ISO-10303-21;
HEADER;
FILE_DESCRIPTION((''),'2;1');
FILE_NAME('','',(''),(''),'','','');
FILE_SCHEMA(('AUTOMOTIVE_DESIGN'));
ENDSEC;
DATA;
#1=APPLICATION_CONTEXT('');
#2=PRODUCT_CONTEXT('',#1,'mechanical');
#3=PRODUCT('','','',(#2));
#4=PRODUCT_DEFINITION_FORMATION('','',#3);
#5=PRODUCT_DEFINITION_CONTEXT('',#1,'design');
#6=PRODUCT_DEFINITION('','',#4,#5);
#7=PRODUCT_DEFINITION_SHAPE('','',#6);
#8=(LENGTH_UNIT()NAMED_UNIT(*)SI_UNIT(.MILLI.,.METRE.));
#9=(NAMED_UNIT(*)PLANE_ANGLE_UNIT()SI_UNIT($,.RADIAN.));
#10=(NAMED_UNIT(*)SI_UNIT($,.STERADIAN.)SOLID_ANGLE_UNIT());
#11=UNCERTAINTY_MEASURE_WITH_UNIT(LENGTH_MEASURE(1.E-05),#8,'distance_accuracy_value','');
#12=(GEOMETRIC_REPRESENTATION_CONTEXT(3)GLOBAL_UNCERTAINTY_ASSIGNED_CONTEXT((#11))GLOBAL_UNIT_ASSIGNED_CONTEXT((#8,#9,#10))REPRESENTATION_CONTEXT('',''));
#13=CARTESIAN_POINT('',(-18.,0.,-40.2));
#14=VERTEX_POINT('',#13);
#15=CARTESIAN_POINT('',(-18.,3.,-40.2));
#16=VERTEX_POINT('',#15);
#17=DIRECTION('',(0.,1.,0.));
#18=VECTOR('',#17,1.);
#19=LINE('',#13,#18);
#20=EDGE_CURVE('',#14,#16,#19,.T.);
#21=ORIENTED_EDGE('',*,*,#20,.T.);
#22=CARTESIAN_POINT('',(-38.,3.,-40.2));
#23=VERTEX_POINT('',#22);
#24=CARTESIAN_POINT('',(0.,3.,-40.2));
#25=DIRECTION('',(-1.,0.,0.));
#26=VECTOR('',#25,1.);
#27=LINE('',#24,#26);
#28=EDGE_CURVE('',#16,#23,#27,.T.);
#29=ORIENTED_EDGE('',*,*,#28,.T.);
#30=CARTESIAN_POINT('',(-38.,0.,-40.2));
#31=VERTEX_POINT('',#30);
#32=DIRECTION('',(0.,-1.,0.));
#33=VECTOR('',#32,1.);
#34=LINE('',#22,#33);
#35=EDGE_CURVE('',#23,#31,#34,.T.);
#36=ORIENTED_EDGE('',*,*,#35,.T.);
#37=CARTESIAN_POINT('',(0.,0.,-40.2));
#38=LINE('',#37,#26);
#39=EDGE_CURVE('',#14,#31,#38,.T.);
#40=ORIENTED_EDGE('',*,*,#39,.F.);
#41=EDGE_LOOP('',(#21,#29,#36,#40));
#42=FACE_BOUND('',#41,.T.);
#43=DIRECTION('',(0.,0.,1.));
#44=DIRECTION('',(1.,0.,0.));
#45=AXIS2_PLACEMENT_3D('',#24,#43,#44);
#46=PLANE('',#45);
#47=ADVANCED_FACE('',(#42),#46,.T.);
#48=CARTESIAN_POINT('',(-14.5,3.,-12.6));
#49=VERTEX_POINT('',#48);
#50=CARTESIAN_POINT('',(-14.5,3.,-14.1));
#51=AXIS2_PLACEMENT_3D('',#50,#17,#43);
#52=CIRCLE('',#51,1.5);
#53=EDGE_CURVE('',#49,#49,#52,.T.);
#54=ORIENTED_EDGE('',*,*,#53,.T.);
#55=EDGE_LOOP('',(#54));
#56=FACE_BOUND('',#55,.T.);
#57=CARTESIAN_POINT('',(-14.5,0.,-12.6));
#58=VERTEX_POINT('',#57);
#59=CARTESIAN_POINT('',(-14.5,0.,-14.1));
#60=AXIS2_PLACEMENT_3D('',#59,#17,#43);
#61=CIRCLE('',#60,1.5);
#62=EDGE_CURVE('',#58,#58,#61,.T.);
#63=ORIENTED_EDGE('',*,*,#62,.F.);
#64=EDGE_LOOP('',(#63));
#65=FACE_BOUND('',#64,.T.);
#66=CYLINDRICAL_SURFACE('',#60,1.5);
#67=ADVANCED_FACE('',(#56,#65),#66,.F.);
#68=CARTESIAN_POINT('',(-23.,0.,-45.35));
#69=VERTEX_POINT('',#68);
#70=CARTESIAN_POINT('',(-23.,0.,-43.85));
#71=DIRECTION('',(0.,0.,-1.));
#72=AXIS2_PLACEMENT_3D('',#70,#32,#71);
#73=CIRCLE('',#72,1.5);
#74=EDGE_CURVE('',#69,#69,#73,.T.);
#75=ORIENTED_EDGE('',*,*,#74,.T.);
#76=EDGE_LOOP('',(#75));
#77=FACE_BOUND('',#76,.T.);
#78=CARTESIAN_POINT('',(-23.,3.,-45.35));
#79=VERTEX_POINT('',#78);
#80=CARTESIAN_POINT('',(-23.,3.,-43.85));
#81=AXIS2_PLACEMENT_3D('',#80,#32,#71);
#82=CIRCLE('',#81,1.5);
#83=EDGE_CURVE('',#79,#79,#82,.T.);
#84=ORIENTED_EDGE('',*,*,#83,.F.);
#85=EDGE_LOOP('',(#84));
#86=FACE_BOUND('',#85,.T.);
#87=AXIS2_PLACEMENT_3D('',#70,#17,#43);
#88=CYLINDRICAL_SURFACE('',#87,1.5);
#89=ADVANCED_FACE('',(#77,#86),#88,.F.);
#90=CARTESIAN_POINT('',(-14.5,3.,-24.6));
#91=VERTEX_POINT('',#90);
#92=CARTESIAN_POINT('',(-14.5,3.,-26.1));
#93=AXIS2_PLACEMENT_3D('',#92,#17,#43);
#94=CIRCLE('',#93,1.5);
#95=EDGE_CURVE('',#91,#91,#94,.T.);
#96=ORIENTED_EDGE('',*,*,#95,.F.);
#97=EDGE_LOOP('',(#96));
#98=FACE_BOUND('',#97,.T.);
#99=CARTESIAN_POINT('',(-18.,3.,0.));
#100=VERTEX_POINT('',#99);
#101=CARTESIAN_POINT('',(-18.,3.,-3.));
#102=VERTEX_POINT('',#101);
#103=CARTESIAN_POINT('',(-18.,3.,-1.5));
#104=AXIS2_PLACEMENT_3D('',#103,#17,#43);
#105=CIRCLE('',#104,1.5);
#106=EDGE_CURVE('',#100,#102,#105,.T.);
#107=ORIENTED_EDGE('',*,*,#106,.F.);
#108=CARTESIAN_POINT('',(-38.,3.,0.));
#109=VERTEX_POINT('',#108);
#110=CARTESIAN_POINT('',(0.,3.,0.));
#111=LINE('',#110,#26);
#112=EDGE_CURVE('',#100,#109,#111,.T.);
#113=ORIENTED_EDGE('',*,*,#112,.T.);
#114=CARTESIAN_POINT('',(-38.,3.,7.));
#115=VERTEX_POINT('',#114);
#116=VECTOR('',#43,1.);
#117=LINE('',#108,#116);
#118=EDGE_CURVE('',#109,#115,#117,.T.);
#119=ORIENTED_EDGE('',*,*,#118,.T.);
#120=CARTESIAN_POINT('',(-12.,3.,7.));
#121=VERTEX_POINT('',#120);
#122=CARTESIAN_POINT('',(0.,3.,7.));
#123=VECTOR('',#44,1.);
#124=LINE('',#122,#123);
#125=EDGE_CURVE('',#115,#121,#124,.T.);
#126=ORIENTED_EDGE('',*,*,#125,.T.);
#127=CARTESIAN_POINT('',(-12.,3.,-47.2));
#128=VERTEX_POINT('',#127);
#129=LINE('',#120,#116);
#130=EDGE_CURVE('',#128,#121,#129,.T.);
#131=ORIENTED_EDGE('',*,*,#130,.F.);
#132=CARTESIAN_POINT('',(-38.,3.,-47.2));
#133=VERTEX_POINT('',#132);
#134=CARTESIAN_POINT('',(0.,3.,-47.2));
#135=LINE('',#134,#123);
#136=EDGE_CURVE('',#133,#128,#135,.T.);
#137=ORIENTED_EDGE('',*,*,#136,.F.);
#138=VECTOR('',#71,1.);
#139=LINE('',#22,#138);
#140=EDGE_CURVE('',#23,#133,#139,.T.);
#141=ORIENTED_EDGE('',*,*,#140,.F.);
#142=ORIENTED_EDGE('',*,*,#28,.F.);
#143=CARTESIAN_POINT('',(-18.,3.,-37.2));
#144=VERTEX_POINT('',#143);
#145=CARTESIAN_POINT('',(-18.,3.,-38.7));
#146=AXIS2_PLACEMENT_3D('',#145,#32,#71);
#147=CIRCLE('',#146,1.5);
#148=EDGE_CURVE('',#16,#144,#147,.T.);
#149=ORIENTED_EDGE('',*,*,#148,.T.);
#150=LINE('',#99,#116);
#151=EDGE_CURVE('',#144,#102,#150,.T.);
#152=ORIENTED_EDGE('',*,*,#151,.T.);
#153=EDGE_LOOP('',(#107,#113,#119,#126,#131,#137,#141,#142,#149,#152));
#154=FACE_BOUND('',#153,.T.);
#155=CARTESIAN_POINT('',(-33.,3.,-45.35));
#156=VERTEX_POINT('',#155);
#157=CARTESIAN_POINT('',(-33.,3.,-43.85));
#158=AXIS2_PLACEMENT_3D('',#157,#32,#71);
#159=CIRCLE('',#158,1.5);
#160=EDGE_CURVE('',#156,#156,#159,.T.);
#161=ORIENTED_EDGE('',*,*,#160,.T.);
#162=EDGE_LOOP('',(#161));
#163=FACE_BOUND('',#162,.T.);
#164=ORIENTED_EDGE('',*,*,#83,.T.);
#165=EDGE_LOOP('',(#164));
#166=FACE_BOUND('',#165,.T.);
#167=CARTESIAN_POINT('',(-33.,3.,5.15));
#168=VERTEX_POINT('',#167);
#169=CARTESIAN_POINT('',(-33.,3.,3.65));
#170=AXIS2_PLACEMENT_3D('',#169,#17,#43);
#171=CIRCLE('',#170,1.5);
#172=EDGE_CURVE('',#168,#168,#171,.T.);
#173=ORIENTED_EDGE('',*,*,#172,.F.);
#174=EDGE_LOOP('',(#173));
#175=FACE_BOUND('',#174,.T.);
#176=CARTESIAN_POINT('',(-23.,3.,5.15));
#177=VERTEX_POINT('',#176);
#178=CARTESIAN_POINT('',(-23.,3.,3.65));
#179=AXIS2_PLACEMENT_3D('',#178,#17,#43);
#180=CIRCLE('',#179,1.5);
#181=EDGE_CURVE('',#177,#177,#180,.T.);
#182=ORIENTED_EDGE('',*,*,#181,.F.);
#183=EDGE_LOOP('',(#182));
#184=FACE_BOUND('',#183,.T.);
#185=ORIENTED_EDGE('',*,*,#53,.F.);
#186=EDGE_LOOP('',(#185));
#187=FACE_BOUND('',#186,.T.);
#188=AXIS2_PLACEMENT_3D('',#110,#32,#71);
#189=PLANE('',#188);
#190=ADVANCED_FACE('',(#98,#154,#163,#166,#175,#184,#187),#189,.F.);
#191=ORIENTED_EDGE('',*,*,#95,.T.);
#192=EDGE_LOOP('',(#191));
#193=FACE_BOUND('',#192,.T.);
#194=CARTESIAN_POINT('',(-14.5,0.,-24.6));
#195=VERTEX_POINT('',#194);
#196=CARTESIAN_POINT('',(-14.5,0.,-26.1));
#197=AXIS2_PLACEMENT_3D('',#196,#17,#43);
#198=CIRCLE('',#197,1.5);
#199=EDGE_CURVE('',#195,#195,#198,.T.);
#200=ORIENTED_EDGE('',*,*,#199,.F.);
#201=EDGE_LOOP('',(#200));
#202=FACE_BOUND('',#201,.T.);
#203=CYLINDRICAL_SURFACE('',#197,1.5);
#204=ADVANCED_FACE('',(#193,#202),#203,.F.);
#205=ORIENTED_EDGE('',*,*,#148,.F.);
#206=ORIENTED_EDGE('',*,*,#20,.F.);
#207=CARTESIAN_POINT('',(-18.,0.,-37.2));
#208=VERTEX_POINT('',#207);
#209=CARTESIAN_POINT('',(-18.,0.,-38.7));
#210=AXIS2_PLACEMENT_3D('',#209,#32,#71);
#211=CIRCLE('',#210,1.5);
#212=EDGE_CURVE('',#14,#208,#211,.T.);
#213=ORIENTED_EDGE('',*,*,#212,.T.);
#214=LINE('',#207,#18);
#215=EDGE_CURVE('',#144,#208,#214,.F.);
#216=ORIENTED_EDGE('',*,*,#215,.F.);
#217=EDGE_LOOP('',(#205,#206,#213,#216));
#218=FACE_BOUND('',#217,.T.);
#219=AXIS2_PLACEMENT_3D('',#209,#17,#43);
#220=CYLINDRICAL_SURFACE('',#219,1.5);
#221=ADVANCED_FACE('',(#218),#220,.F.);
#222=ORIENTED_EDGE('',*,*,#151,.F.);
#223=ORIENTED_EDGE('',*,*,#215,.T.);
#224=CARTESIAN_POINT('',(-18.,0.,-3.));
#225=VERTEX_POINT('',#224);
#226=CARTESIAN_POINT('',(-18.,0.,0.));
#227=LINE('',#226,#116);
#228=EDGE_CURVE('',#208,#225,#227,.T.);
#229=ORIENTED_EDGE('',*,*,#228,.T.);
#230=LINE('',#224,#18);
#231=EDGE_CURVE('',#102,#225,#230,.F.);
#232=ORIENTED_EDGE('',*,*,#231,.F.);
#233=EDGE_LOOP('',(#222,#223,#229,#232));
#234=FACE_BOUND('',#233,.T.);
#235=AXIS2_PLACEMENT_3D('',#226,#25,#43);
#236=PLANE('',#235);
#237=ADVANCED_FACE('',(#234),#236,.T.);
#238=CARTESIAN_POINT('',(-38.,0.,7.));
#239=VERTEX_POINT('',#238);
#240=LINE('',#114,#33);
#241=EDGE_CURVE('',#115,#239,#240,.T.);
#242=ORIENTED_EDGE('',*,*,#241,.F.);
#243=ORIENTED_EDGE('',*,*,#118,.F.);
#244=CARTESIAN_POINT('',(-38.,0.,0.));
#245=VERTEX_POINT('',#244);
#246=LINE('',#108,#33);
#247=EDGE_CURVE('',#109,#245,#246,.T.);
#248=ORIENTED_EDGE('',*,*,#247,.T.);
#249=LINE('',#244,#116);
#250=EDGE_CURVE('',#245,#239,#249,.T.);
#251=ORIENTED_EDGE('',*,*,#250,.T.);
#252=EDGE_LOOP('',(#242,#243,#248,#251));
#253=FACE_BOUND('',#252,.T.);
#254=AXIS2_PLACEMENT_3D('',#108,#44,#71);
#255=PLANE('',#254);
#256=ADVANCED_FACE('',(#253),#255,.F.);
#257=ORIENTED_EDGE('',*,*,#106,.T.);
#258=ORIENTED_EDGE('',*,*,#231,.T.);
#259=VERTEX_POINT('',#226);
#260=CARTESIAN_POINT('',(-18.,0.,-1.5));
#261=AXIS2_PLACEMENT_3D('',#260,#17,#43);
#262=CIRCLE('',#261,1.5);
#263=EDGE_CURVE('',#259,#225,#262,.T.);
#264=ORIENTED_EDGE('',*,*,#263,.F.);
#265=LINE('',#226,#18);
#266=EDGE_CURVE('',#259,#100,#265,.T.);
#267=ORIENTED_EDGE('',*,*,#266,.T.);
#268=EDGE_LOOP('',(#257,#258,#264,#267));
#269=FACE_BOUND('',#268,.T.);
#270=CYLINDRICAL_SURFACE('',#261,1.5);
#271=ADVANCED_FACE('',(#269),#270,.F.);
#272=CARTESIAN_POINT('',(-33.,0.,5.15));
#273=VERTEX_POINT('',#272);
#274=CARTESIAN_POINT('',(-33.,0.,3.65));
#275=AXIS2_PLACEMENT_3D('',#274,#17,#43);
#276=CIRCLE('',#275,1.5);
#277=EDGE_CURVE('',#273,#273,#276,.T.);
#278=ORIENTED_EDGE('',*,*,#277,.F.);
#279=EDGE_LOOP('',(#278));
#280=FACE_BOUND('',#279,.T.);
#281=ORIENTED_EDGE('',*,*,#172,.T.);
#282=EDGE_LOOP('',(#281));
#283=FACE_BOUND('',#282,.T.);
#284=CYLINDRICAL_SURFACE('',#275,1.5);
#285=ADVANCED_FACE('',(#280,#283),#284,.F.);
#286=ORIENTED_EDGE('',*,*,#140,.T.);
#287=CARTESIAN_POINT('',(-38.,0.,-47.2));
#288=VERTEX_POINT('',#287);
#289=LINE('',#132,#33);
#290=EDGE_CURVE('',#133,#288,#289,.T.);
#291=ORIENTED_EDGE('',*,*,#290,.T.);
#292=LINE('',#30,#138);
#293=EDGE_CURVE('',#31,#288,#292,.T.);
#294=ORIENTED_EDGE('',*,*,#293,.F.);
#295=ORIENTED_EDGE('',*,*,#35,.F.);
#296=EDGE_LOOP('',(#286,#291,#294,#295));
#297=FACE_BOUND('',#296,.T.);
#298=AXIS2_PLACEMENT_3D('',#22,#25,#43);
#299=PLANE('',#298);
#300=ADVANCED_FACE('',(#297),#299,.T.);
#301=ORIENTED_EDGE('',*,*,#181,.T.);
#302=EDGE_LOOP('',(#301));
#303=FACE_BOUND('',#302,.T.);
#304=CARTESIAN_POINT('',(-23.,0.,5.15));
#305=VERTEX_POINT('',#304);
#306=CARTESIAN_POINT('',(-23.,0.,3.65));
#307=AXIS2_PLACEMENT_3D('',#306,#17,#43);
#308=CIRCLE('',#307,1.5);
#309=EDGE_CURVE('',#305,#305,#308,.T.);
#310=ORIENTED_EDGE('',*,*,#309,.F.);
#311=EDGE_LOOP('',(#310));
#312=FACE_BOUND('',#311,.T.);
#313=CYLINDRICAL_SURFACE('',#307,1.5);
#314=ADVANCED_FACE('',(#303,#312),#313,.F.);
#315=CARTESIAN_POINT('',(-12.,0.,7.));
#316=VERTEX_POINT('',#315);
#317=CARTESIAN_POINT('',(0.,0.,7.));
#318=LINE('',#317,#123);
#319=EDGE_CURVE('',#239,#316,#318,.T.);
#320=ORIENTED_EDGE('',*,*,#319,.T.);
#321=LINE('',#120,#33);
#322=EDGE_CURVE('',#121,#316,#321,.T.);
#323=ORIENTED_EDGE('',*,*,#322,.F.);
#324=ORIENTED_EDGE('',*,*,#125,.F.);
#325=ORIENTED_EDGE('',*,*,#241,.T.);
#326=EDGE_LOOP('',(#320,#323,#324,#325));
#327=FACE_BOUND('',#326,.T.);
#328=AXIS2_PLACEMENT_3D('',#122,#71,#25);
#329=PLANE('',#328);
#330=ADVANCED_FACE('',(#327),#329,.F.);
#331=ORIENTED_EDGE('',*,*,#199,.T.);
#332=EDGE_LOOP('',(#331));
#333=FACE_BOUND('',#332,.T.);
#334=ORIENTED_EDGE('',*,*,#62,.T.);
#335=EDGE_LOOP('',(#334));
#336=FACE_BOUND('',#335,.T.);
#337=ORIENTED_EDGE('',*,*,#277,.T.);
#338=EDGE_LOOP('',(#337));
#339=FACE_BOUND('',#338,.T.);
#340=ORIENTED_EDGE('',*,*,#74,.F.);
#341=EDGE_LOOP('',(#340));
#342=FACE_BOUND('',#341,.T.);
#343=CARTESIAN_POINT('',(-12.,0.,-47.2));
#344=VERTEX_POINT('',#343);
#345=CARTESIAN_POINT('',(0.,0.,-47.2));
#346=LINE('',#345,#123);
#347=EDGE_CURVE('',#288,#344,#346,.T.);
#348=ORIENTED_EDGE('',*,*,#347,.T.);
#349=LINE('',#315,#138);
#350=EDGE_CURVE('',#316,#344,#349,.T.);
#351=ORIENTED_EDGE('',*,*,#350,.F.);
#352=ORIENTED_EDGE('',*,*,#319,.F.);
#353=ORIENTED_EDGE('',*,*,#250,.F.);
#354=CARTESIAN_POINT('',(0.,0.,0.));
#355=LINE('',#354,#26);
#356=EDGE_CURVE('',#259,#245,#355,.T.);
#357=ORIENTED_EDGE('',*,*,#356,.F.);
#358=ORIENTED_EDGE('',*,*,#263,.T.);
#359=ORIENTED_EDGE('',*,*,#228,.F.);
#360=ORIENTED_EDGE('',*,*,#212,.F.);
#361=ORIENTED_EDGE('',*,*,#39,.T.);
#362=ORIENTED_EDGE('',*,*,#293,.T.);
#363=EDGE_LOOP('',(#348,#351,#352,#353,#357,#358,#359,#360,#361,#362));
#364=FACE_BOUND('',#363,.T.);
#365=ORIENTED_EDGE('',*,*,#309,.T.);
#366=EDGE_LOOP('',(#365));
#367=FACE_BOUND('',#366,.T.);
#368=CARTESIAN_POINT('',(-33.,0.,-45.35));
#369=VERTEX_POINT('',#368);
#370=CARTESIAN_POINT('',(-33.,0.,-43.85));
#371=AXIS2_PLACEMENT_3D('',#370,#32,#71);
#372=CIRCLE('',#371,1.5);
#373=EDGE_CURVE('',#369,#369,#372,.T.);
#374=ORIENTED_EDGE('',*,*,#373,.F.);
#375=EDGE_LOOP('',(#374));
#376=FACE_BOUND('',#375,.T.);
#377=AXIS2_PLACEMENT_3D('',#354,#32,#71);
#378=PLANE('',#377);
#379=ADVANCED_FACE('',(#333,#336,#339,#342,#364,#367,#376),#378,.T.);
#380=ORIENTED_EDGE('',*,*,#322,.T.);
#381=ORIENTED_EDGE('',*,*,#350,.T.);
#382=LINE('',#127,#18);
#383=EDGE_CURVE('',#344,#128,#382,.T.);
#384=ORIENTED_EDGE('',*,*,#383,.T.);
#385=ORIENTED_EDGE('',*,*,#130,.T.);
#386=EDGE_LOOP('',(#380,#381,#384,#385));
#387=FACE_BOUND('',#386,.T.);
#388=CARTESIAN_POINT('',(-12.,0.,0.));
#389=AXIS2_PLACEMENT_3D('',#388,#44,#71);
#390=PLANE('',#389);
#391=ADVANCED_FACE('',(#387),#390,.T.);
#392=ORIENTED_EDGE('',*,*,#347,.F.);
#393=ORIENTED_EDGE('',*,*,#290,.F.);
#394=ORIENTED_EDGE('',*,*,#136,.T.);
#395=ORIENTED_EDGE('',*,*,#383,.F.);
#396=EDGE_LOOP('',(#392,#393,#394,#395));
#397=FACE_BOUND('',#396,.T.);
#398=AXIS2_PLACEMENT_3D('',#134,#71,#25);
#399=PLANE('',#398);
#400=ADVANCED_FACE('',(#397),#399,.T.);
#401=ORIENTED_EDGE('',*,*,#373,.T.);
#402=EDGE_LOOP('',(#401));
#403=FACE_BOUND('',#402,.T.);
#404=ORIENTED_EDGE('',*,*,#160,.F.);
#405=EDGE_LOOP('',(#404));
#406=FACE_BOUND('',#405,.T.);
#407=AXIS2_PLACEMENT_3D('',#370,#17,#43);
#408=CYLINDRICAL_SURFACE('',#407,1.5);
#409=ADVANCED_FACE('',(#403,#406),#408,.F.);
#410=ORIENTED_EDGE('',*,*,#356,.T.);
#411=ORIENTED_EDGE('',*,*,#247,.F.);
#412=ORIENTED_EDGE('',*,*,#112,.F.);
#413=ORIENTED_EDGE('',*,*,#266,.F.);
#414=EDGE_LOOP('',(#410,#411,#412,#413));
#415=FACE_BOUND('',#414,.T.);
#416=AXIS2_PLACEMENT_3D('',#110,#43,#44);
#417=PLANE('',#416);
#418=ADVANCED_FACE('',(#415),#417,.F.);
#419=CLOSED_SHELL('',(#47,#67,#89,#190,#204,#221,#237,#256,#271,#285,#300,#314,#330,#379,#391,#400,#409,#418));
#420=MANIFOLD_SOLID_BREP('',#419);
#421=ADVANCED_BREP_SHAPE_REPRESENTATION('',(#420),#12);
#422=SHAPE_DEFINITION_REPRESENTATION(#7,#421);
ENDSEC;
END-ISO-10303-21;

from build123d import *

# Parameters (mm, degrees)
SKETCH_1_W             = 38
SKETCH_1_H             = 7
EXTRUDE_1_DEPTH        = 3
SKETCH_2_W             = 7
SKETCH_2_H             = 3
EXTRUDE_2_DEPTH        = 13
SKETCH_3_R             = 1.5
CUT_EXTRUDE_1_DEPTH    = 44.0464865
SKETCH_4_R             = 1.5
CUT_EXTRUDE_2_DEPTH    = 44.0464865
SKETCH_5_W             = 5
SKETCH_5_H             = 40.2
EXTRUDE_3_DEPTH        = 3
SKETCH_6_R             = 1.5
CUT_EXTRUDE_3_DEPTH    = 56.398916957
FILLET_1_R             = 5
FILLET_2_R             = 5
FILLET_2_OF_MIRROR_1_R = 5
SKETCH_7_W             = 73.096836427
SKETCH_7_H             = 5.118381576
CUT_EXTRUDE_4_DEPTH    = 13
SKETCH_9_W             = 54.2
SKETCH_9_H             = 3
EXTRUDE_4_DEPTH        = 1
SKETCH_8_R             = 1.5
CUT_EXTRUDE_5_DEPTH    = 61.669926652


with BuildPart() as part:
    # 草图1 → 凸台-拉伸1 (new body)
    with BuildSketch(Plane(origin=(0, 0, 0), x_dir=(1, 0, 0), z_dir=(0, 1, 0))):
        with Locations((-19, -3.5)):
            Rectangle(SKETCH_1_W, SKETCH_1_H)
    extrude_1 = extrude(amount=EXTRUDE_1_DEPTH)

    # 草图2 → 凸台-拉伸2 (add)
    with BuildSketch(Plane.XY.offset(7)):
        with Locations((-3.5, 1.5)):
            Rectangle(SKETCH_2_W, SKETCH_2_H)
    extrude(amount=EXTRUDE_2_DEPTH)

    # 草图3 → 切除-拉伸1 (cut, through all)
    with BuildSketch(Plane(origin=(0, 3, 0), x_dir=(1, 0, 0), z_dir=(0, 1, 0))):
        with Locations(Location((-3.5, -15, 0), (0, 0, 270))):
            Circle(SKETCH_3_R)
        with Locations(Location((-3.5, -5, 0), (0, 0, 270))):
            Circle(SKETCH_3_R)
    extrude(amount=-CUT_EXTRUDE_1_DEPTH, mode=Mode.SUBTRACT)

    # 草图4 → 切除-拉伸2 (cut, through all)
    with BuildSketch(Plane(origin=(0, 3, 0), x_dir=(1, 0, 0), z_dir=(0, 1, 0))):
        with Locations(Location((-33, -3.65, 0), (0, 0, 270))):
            Circle(SKETCH_4_R)
        with Locations(Location((-23, -3.65, 0), (0, 0, 270))):
            Circle(SKETCH_4_R)
    cut_extrude_2 = extrude(amount=-CUT_EXTRUDE_2_DEPTH, mode=Mode.SUBTRACT)

    # 草图5 → 凸台-拉伸3 (add)
    with BuildSketch(Plane(origin=(0, 3, 0), x_dir=(1, 0, 0), z_dir=(0, 1, 0))):
        with Locations((-15.5, 20.1)):
            Rectangle(SKETCH_5_W, SKETCH_5_H)
    extrude(amount=-EXTRUDE_3_DEPTH)

    # 草图6 → 切除-拉伸3 (cut, through all)
    with BuildSketch(Plane(origin=(0, 3, 0), x_dir=(1, 0, 0), z_dir=(0, 1, 0))):
        with Locations((-18, 1.5)):
            Circle(SKETCH_6_R)
    cut_extrude_3 = extrude(amount=-CUT_EXTRUDE_3_DEPTH, mode=Mode.SUBTRACT)

    # 圆角1
    fillet_1_edges = [part.edges().sort_by_distance(p)[0] for p in [
        (-7, 1.5, 7),
    ]]
    fillet(fillet_1_edges, radius=FILLET_1_R)

    # 圆角2
    fillet_2_edges = [part.edges().sort_by_distance(p)[0] for p in [
        (-13, 1.5, 0),
    ]]
    fillet(fillet_2_edges, radius=FILLET_2_R)

    # 镜向1: 凸台-拉伸1, 切除-拉伸2, 切除-拉伸3 across plane
    add(extrude_1.mirror(Plane(origin=(0, 0, -20.1), x_dir=(1, 0, 0), z_dir=(0, 0, -1))))
    add(cut_extrude_2.mirror(Plane(origin=(0, 0, -20.1), x_dir=(1, 0, 0), z_dir=(0, 0, -1))), mode=Mode.SUBTRACT)
    add(cut_extrude_3.mirror(Plane(origin=(0, 0, -20.1), x_dir=(1, 0, 0), z_dir=(0, 0, -1))), mode=Mode.SUBTRACT)

    # 圆角2 of 镜向1
    fillet_2_of_mirror_1_edges = [part.edges().sort_by_distance(p)[0] for p in [
        (-13, 1.5, -40.2),
    ]]
    fillet(fillet_2_of_mirror_1_edges, radius=FILLET_2_OF_MIRROR_1_R)

    # 草图7 → 切除-拉伸4 (cut)
    with BuildSketch(Plane(origin=(0, 0, 0), x_dir=(0, 0, -1), z_dir=(1, 0, 0))):
        with Locations((10.651581787, 2.559190788)):
            Rectangle(SKETCH_7_W, SKETCH_7_H)
    extrude(amount=-CUT_EXTRUDE_4_DEPTH, mode=Mode.SUBTRACT)

    # 草图9 → 凸台-拉伸4 (add)
    with BuildSketch(Plane(origin=(-13, 0, 0), x_dir=(0, 0, -1), z_dir=(1, 0, 0))):
        with Locations((20.1, 1.5)):
            Rectangle(SKETCH_9_W, SKETCH_9_H)
    extrude(amount=EXTRUDE_4_DEPTH)

    # 草图8 → 切除-拉伸5 (cut, through all)
    with BuildSketch(Plane(origin=(0, 3, 0), x_dir=(1, 0, 0), z_dir=(0, 1, 0))):
        with Locations(Location((-14.5, 14.1, 0), (0, 0, 270))):
            Circle(SKETCH_8_R)
        with Locations(Location((-14.5, 26.1, 0), (0, 0, 270))):
            Circle(SKETCH_8_R)
    extrude(amount=-CUT_EXTRUDE_5_DEPTH, mode=Mode.SUBTRACT)


solid = part.part
